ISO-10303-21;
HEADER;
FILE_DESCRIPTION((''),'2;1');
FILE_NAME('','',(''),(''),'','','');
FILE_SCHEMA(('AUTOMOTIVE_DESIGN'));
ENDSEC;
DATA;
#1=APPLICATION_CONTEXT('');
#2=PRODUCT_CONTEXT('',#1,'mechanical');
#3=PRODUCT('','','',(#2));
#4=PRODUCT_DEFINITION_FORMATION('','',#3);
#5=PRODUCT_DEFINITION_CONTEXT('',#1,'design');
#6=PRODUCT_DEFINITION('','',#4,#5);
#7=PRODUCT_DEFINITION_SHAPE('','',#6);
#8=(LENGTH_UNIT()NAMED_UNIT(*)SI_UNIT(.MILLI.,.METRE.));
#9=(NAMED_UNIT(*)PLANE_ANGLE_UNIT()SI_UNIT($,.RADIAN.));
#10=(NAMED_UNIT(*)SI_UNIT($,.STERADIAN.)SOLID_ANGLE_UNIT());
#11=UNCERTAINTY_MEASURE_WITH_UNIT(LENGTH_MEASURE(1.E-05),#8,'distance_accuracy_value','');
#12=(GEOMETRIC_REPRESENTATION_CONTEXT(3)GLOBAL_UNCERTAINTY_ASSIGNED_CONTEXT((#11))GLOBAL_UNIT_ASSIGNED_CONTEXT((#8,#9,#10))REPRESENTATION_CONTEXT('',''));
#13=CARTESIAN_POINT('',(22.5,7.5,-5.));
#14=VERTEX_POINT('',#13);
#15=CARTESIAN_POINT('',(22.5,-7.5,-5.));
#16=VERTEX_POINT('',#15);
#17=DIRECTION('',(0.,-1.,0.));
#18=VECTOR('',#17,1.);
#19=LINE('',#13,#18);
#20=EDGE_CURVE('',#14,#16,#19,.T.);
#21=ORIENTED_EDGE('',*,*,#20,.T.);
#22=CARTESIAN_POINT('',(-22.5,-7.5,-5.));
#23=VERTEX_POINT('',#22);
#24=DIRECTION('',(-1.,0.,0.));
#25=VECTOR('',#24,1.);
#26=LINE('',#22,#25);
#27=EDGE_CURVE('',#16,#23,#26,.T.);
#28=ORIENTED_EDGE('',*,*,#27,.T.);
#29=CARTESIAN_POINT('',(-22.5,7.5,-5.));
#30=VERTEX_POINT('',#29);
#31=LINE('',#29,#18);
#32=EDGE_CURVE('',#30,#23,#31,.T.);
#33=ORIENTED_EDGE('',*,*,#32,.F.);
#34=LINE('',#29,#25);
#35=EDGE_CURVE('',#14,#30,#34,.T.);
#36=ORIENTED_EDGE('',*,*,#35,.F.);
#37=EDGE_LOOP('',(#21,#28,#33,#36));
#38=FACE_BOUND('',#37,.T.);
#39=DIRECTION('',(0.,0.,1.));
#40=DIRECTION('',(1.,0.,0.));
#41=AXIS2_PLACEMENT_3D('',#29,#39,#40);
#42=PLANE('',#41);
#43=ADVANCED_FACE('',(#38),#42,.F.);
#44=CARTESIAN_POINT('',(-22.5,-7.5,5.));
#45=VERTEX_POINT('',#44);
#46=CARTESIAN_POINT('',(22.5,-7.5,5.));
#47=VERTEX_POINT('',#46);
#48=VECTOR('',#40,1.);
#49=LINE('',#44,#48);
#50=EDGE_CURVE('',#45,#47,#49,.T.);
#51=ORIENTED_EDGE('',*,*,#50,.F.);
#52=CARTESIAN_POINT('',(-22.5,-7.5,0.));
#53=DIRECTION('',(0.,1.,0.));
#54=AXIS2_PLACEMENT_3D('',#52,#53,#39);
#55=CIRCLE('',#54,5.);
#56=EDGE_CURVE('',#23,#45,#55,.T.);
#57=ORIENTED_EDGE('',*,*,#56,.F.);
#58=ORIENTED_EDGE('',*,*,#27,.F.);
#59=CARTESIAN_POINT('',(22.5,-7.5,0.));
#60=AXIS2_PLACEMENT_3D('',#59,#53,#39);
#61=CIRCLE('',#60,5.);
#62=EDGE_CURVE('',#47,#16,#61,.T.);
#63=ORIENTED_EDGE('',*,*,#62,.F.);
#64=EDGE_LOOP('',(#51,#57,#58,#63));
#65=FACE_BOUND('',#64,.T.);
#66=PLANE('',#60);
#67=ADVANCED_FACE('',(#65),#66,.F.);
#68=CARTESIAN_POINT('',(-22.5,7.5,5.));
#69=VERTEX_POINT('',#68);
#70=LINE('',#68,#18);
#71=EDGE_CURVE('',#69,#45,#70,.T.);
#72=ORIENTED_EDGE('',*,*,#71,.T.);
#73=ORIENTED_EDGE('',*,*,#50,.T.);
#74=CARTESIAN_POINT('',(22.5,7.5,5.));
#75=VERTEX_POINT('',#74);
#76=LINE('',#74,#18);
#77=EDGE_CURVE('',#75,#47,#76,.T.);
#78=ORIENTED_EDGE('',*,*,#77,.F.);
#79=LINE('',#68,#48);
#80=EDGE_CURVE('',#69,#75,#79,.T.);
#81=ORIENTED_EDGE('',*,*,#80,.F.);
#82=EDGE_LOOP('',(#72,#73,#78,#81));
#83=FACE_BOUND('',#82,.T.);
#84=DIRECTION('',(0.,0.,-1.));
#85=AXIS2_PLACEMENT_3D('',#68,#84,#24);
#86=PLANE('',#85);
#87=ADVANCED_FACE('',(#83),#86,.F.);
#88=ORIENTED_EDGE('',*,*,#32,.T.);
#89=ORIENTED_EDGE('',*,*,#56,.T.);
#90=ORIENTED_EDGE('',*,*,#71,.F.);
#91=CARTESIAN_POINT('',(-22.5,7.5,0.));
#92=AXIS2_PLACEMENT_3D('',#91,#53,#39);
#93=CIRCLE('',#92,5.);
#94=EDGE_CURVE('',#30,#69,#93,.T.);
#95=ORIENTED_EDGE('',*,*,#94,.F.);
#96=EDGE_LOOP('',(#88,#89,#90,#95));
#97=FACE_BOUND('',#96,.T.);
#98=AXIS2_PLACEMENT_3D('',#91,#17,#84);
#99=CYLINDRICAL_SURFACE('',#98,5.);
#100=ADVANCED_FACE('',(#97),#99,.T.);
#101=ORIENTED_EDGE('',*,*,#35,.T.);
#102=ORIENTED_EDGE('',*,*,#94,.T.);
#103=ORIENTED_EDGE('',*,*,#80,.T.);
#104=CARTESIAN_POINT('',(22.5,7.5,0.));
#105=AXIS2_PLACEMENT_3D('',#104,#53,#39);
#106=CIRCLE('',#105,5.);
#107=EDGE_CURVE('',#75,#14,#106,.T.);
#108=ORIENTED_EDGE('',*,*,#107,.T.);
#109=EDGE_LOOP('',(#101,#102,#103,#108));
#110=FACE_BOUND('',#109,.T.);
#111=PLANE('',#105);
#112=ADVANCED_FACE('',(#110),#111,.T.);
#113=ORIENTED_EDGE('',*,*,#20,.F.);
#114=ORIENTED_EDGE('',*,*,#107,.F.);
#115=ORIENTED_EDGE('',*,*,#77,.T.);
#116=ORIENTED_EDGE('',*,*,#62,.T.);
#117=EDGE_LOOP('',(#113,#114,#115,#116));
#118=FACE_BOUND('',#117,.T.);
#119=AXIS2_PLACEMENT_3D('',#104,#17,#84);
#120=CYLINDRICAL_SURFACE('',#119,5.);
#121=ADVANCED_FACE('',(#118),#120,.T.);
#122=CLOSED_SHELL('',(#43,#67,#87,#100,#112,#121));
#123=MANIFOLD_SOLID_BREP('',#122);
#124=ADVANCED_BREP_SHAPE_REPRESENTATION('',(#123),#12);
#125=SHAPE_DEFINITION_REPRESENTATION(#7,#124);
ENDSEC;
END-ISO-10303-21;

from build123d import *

# Parameters (mm, degrees)
BOSS_EXTRUDE1_DEPTH = 7.5


with BuildPart() as part:
    # Sketch1 → Boss-Extrude1 (new, symmetric)
    with BuildSketch(Plane(origin=(0, 0, 0), x_dir=(1, 0, 0), z_dir=(0, 1, 0))):
        with BuildLine():
            Line((-22.5, -5), (22.5, -5))
            ThreePointArc((22.5, -5), (27.5, 0), (22.5, 5))
            Line((22.5, 5), (-22.5, 5))
            ThreePointArc((-22.5, 5), (-27.5, 0), (-22.5, -5))
        make_face()
    extrude(amount=BOSS_EXTRUDE1_DEPTH, both=True)


solid = part.part
